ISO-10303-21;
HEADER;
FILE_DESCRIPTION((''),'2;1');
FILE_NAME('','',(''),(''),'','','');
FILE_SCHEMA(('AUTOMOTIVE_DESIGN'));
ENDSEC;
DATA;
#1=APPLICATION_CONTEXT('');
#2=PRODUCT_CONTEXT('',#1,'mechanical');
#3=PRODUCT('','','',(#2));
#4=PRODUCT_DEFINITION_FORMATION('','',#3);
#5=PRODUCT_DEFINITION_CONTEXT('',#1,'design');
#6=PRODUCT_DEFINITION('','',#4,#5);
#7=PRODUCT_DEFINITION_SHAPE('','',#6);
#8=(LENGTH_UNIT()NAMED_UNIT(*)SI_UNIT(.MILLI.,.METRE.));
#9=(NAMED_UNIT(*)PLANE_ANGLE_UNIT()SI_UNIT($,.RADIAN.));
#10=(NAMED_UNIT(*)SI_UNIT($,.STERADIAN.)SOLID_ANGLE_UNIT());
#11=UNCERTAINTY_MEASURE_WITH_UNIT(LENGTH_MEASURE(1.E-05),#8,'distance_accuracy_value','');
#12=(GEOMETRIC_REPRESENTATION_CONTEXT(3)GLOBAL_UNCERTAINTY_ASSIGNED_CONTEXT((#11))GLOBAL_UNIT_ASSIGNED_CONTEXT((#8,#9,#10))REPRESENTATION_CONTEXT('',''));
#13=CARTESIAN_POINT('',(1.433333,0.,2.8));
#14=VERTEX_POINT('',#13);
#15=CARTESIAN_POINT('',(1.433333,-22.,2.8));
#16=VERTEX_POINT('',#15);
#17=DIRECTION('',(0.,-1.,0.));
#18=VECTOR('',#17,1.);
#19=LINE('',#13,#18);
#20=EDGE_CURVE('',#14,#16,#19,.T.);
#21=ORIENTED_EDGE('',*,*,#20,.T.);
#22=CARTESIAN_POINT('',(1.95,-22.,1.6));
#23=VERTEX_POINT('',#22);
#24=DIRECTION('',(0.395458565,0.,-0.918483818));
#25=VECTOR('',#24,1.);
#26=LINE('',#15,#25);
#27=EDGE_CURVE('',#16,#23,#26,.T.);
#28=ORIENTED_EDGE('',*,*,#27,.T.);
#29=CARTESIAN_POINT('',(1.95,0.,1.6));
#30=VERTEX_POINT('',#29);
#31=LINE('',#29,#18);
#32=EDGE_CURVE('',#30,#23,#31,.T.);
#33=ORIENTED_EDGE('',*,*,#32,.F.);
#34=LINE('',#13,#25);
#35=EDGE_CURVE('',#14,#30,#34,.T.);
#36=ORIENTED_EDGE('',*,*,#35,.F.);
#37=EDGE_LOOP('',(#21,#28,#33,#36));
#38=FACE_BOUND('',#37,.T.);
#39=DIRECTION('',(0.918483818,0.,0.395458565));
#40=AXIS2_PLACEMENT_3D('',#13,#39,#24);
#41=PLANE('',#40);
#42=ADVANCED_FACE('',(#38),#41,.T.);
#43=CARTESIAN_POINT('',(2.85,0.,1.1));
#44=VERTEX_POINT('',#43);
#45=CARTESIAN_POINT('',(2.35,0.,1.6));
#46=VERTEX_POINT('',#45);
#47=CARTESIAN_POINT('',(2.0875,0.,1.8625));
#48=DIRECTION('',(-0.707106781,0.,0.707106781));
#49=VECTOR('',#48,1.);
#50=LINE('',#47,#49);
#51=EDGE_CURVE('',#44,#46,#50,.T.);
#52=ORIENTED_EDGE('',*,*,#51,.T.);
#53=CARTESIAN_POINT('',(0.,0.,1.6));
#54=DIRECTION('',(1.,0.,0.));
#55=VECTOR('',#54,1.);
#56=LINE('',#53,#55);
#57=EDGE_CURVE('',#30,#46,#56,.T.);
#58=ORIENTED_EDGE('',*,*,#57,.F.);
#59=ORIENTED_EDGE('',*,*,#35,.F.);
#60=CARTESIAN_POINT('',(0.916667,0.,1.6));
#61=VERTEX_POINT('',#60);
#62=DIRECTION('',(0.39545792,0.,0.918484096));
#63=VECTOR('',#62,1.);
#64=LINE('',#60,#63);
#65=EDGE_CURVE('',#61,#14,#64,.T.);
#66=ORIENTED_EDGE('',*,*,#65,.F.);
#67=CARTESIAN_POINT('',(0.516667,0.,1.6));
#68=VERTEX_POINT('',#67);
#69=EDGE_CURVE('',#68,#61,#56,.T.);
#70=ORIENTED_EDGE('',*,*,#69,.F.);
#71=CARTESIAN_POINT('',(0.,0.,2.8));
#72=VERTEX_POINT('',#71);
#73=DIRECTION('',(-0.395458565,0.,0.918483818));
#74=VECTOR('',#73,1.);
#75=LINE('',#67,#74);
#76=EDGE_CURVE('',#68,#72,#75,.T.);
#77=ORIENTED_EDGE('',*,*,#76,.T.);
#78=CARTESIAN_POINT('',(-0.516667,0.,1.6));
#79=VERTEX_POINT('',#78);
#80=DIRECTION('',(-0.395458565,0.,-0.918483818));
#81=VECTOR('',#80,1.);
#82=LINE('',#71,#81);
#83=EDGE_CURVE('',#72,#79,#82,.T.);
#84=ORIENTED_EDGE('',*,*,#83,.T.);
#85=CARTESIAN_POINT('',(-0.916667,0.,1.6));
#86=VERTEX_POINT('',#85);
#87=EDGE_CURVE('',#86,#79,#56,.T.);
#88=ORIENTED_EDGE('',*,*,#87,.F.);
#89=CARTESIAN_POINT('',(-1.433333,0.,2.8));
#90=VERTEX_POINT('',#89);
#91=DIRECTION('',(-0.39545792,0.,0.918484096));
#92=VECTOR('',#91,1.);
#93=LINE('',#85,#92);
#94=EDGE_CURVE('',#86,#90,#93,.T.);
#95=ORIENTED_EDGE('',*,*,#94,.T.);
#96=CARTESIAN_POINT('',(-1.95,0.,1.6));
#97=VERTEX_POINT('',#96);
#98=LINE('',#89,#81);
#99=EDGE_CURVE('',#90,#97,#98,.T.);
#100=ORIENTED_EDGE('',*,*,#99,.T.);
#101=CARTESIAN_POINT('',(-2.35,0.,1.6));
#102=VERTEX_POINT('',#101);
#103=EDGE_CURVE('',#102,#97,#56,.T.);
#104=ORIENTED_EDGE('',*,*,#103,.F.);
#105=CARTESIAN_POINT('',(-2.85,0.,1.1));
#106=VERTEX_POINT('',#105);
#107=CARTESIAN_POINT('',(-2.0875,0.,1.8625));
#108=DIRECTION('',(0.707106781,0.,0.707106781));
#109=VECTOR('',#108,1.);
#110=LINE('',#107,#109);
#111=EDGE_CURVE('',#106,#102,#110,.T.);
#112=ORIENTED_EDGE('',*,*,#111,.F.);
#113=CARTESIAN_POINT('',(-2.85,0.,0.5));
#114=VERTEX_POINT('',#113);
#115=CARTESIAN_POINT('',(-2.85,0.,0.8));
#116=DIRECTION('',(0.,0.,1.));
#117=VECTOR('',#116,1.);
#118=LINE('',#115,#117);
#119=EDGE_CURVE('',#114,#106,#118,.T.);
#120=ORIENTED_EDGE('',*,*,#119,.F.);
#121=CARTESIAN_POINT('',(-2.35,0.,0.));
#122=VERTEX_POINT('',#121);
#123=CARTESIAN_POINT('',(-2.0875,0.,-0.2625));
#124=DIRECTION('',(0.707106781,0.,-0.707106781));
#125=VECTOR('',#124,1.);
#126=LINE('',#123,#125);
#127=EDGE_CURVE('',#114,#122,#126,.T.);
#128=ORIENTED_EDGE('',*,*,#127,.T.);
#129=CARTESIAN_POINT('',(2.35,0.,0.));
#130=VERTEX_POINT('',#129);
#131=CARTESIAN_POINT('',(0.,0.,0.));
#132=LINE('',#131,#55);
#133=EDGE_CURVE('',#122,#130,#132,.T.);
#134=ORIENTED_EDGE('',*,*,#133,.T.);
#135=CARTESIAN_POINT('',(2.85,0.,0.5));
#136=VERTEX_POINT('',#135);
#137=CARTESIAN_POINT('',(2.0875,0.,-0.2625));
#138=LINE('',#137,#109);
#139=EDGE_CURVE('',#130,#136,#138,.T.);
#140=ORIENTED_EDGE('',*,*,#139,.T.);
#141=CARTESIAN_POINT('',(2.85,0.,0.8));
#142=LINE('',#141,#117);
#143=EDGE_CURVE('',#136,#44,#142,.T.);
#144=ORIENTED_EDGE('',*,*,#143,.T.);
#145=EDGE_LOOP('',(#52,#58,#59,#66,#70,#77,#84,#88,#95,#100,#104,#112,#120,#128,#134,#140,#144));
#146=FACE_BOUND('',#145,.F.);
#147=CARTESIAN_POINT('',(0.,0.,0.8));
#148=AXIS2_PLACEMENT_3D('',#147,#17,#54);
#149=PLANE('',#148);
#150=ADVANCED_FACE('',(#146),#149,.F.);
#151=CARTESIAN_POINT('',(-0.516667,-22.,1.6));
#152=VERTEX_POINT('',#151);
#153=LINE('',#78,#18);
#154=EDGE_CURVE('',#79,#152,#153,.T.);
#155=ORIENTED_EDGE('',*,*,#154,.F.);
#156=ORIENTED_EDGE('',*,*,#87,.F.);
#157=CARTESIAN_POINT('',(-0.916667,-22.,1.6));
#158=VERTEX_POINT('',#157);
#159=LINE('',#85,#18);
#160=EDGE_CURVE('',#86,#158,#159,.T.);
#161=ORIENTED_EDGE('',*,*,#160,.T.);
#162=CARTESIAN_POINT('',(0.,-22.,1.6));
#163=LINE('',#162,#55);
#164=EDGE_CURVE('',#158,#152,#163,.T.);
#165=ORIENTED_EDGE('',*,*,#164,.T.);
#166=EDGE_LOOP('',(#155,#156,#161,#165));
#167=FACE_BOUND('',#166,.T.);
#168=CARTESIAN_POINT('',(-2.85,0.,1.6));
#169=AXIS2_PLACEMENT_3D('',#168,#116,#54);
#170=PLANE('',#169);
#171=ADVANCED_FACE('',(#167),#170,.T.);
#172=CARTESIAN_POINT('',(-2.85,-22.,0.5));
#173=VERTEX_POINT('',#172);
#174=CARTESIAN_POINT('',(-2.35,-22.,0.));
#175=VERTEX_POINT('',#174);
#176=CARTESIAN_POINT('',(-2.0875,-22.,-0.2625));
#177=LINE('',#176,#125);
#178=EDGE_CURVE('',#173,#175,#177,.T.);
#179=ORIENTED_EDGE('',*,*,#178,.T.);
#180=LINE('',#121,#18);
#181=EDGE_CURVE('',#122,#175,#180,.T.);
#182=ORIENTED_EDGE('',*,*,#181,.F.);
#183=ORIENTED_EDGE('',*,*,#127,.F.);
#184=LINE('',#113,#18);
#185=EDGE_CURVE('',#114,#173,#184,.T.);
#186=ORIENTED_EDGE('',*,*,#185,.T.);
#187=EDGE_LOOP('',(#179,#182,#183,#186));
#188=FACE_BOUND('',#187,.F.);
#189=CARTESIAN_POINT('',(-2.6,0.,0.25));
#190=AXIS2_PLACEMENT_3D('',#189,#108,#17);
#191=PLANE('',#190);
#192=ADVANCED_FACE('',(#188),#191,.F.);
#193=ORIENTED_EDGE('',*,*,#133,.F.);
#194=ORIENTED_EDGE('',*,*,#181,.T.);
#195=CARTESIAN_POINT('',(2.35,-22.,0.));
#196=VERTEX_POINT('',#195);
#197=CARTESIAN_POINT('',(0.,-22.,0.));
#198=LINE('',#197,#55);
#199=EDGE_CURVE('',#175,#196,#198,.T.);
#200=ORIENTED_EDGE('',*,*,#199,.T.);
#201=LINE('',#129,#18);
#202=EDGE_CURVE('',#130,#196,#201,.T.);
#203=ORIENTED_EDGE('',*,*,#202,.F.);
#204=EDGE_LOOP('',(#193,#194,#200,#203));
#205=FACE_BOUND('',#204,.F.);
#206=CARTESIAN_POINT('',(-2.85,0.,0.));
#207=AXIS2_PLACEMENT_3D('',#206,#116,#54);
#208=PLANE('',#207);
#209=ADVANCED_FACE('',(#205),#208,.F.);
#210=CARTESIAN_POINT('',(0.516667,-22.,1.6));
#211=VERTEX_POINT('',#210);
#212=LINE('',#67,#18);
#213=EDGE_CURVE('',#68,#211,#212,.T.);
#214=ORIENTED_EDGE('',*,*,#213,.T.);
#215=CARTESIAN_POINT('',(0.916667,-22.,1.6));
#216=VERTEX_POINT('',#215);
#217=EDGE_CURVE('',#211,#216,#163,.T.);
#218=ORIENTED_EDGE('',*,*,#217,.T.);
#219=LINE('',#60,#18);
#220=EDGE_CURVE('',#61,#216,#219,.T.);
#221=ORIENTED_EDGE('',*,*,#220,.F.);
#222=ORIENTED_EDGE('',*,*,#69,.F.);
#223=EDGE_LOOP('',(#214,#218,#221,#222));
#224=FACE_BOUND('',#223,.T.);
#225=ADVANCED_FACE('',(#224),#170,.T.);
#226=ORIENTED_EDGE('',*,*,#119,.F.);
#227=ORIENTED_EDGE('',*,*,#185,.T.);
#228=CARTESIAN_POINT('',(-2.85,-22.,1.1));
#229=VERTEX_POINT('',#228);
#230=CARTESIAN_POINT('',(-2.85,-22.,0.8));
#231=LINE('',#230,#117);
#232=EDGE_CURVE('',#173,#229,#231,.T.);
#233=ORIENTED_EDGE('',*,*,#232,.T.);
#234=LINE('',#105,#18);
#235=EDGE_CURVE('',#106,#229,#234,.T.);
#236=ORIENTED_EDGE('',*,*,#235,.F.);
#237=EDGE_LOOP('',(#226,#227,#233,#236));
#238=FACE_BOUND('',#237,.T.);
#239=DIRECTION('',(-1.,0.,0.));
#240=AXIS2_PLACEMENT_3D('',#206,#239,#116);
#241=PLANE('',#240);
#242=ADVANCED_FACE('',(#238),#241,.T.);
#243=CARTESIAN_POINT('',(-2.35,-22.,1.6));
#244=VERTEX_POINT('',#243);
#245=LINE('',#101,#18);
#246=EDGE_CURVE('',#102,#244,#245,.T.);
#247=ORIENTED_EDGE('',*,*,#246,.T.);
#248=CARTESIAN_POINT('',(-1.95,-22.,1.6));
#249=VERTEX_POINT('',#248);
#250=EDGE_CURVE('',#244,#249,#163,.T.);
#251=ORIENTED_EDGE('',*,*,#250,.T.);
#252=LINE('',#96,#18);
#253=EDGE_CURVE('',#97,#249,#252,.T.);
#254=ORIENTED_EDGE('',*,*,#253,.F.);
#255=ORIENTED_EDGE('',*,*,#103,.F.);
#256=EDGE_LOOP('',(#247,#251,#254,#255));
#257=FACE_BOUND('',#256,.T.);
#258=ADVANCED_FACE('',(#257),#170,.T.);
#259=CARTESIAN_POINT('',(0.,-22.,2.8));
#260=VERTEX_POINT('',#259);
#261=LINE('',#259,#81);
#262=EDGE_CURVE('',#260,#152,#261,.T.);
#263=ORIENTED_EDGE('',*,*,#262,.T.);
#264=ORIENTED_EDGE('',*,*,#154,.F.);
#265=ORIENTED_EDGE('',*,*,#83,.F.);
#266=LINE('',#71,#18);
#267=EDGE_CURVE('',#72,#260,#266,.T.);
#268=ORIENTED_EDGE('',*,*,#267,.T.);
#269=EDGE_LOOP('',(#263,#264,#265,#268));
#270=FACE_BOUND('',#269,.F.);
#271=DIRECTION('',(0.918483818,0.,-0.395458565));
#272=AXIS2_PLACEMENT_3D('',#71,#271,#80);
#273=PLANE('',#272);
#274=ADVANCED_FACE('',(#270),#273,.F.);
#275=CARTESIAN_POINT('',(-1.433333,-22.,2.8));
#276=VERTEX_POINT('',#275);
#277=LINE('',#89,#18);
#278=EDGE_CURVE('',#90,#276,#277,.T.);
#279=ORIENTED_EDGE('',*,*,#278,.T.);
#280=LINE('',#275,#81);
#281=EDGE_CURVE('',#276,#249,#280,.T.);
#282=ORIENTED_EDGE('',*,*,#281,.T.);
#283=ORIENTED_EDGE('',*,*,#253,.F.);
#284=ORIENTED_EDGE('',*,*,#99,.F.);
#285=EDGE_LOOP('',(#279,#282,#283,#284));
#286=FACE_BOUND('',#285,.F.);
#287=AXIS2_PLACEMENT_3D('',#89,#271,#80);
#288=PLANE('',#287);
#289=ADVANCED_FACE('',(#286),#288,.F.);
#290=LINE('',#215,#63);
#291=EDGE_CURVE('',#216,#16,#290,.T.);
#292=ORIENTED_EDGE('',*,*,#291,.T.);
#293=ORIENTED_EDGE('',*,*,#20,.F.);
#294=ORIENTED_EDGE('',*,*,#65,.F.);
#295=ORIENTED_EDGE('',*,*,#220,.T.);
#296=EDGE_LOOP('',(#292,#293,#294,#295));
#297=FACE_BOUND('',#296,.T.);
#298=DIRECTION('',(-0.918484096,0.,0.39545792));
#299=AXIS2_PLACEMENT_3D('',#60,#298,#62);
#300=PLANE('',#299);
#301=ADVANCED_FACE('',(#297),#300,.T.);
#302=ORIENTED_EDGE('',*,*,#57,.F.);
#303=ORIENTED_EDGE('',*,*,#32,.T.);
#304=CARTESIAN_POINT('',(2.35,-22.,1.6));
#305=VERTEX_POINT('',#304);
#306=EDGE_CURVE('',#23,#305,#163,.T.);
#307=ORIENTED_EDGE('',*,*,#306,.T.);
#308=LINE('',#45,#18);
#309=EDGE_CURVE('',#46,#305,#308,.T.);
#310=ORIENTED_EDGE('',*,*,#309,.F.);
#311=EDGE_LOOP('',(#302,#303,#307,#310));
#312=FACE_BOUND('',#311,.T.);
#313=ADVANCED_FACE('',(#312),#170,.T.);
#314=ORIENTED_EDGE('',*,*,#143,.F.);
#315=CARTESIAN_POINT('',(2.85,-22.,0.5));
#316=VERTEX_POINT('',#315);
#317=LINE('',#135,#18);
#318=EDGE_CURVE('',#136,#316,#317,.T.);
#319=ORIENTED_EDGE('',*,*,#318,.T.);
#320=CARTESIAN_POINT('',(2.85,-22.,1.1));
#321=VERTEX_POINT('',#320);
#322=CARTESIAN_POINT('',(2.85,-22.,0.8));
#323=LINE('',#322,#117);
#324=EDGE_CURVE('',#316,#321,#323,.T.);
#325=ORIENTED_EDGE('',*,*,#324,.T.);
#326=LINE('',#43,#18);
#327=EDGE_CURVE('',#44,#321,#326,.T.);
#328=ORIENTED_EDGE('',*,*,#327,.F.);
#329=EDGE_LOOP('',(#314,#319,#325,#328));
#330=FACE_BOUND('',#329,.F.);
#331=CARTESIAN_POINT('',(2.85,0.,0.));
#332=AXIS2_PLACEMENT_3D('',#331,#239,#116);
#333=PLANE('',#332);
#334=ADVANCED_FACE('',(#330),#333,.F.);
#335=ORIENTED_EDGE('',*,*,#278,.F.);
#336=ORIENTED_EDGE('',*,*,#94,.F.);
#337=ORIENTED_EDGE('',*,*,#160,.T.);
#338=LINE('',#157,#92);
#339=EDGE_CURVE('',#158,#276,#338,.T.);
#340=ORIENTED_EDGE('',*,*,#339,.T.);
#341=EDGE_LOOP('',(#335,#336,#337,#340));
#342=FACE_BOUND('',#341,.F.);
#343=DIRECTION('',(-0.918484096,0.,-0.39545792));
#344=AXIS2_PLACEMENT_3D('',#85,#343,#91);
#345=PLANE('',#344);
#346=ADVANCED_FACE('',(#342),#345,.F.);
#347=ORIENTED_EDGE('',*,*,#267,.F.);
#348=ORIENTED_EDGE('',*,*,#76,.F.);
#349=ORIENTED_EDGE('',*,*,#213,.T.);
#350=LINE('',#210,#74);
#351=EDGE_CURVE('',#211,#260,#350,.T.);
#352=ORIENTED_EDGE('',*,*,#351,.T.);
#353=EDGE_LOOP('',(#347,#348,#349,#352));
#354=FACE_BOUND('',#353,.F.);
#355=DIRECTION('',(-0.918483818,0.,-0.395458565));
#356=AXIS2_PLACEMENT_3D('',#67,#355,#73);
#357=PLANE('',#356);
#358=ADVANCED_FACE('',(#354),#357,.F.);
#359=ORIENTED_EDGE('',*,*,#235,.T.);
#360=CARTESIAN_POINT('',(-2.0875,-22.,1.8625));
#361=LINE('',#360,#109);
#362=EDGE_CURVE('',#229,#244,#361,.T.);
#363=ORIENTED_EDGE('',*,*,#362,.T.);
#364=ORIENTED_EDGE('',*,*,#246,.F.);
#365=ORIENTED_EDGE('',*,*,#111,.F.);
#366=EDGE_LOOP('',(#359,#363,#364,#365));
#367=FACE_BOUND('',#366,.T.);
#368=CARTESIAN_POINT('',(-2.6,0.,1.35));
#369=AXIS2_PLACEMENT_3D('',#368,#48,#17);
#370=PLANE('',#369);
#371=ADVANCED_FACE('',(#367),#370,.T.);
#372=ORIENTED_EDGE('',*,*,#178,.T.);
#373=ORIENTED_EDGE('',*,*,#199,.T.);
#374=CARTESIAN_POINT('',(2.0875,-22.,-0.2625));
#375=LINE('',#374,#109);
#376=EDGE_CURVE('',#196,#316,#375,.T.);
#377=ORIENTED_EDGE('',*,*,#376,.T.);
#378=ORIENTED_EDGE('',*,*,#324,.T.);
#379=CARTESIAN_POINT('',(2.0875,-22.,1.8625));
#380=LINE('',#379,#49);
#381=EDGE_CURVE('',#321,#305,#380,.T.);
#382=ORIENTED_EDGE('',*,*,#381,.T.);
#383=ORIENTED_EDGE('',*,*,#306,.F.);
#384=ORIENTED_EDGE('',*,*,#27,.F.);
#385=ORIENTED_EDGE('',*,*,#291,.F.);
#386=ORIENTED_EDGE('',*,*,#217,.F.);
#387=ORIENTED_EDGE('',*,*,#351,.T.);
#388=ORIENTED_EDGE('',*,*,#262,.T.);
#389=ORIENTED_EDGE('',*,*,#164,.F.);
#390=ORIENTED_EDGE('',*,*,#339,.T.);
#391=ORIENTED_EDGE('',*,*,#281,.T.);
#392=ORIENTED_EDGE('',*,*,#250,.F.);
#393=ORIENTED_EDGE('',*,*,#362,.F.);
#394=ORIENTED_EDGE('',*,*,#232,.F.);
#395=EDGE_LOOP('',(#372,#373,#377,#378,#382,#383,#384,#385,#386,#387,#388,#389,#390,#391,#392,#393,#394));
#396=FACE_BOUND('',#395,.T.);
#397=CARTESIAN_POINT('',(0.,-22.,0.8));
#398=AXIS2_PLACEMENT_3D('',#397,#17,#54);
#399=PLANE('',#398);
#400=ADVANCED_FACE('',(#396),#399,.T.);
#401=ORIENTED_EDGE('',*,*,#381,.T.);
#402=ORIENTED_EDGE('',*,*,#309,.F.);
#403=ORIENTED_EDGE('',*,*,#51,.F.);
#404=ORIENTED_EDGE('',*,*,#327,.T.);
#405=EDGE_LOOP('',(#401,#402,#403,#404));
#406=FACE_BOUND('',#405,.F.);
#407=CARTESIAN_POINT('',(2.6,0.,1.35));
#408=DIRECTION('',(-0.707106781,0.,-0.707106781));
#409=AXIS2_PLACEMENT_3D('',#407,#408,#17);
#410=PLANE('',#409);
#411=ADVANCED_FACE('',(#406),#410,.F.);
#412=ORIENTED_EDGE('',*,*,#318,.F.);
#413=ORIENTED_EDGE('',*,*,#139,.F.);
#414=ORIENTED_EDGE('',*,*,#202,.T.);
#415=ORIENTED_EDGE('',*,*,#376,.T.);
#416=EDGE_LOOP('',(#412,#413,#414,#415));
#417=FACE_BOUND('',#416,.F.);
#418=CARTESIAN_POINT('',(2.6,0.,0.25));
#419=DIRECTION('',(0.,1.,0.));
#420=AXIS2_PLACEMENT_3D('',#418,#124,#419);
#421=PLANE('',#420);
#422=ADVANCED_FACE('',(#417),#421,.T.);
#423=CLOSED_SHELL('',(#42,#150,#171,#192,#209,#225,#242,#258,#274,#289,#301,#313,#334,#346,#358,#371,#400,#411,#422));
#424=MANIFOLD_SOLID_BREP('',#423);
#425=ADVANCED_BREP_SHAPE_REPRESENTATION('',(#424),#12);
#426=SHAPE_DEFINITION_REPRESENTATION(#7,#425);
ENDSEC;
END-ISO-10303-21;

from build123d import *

# Parameters (mm, degrees)
SKETCH014_W     = 5.7
SKETCH014_H     = 1.6
PAD004_DEPTH    = 22
PAD005_DEPTH    = 22
CHAMFER002_SIZE = 0.5


with BuildPart() as part:
    # Sketch014 → Pad004 (new body)
    with BuildSketch(Plane.XZ):
        with Locations((0, 0.8)):
            Rectangle(SKETCH014_W, SKETCH014_H)
    extrude(amount=PAD004_DEPTH)

    # Sketch015 → Pad005 (join)
    with BuildSketch(Plane.XZ):
        Polygon((0.516667, 1.6), (0, 2.8), (-0.516667, 1.6), align=None)
        Polygon((-0.916667, 1.6), (-1.433333, 2.8), (-1.95, 1.6), align=None)
        Polygon((0.916667, 1.6), (1.433333, 2.8), (1.95, 1.6), align=None)
    extrude(amount=PAD005_DEPTH)

    # Chamfer002
    chamfer002_edges = [part.edges().sort_by_distance(p)[0] for p in [
        (-2.85, -11, 1.6),
        (-2.85, -11, 0),
        (2.85, -11, 0),
        (2.85, -11, 1.6),
    ]]
    chamfer(chamfer002_edges, length=CHAMFER002_SIZE)


solid = part.part
